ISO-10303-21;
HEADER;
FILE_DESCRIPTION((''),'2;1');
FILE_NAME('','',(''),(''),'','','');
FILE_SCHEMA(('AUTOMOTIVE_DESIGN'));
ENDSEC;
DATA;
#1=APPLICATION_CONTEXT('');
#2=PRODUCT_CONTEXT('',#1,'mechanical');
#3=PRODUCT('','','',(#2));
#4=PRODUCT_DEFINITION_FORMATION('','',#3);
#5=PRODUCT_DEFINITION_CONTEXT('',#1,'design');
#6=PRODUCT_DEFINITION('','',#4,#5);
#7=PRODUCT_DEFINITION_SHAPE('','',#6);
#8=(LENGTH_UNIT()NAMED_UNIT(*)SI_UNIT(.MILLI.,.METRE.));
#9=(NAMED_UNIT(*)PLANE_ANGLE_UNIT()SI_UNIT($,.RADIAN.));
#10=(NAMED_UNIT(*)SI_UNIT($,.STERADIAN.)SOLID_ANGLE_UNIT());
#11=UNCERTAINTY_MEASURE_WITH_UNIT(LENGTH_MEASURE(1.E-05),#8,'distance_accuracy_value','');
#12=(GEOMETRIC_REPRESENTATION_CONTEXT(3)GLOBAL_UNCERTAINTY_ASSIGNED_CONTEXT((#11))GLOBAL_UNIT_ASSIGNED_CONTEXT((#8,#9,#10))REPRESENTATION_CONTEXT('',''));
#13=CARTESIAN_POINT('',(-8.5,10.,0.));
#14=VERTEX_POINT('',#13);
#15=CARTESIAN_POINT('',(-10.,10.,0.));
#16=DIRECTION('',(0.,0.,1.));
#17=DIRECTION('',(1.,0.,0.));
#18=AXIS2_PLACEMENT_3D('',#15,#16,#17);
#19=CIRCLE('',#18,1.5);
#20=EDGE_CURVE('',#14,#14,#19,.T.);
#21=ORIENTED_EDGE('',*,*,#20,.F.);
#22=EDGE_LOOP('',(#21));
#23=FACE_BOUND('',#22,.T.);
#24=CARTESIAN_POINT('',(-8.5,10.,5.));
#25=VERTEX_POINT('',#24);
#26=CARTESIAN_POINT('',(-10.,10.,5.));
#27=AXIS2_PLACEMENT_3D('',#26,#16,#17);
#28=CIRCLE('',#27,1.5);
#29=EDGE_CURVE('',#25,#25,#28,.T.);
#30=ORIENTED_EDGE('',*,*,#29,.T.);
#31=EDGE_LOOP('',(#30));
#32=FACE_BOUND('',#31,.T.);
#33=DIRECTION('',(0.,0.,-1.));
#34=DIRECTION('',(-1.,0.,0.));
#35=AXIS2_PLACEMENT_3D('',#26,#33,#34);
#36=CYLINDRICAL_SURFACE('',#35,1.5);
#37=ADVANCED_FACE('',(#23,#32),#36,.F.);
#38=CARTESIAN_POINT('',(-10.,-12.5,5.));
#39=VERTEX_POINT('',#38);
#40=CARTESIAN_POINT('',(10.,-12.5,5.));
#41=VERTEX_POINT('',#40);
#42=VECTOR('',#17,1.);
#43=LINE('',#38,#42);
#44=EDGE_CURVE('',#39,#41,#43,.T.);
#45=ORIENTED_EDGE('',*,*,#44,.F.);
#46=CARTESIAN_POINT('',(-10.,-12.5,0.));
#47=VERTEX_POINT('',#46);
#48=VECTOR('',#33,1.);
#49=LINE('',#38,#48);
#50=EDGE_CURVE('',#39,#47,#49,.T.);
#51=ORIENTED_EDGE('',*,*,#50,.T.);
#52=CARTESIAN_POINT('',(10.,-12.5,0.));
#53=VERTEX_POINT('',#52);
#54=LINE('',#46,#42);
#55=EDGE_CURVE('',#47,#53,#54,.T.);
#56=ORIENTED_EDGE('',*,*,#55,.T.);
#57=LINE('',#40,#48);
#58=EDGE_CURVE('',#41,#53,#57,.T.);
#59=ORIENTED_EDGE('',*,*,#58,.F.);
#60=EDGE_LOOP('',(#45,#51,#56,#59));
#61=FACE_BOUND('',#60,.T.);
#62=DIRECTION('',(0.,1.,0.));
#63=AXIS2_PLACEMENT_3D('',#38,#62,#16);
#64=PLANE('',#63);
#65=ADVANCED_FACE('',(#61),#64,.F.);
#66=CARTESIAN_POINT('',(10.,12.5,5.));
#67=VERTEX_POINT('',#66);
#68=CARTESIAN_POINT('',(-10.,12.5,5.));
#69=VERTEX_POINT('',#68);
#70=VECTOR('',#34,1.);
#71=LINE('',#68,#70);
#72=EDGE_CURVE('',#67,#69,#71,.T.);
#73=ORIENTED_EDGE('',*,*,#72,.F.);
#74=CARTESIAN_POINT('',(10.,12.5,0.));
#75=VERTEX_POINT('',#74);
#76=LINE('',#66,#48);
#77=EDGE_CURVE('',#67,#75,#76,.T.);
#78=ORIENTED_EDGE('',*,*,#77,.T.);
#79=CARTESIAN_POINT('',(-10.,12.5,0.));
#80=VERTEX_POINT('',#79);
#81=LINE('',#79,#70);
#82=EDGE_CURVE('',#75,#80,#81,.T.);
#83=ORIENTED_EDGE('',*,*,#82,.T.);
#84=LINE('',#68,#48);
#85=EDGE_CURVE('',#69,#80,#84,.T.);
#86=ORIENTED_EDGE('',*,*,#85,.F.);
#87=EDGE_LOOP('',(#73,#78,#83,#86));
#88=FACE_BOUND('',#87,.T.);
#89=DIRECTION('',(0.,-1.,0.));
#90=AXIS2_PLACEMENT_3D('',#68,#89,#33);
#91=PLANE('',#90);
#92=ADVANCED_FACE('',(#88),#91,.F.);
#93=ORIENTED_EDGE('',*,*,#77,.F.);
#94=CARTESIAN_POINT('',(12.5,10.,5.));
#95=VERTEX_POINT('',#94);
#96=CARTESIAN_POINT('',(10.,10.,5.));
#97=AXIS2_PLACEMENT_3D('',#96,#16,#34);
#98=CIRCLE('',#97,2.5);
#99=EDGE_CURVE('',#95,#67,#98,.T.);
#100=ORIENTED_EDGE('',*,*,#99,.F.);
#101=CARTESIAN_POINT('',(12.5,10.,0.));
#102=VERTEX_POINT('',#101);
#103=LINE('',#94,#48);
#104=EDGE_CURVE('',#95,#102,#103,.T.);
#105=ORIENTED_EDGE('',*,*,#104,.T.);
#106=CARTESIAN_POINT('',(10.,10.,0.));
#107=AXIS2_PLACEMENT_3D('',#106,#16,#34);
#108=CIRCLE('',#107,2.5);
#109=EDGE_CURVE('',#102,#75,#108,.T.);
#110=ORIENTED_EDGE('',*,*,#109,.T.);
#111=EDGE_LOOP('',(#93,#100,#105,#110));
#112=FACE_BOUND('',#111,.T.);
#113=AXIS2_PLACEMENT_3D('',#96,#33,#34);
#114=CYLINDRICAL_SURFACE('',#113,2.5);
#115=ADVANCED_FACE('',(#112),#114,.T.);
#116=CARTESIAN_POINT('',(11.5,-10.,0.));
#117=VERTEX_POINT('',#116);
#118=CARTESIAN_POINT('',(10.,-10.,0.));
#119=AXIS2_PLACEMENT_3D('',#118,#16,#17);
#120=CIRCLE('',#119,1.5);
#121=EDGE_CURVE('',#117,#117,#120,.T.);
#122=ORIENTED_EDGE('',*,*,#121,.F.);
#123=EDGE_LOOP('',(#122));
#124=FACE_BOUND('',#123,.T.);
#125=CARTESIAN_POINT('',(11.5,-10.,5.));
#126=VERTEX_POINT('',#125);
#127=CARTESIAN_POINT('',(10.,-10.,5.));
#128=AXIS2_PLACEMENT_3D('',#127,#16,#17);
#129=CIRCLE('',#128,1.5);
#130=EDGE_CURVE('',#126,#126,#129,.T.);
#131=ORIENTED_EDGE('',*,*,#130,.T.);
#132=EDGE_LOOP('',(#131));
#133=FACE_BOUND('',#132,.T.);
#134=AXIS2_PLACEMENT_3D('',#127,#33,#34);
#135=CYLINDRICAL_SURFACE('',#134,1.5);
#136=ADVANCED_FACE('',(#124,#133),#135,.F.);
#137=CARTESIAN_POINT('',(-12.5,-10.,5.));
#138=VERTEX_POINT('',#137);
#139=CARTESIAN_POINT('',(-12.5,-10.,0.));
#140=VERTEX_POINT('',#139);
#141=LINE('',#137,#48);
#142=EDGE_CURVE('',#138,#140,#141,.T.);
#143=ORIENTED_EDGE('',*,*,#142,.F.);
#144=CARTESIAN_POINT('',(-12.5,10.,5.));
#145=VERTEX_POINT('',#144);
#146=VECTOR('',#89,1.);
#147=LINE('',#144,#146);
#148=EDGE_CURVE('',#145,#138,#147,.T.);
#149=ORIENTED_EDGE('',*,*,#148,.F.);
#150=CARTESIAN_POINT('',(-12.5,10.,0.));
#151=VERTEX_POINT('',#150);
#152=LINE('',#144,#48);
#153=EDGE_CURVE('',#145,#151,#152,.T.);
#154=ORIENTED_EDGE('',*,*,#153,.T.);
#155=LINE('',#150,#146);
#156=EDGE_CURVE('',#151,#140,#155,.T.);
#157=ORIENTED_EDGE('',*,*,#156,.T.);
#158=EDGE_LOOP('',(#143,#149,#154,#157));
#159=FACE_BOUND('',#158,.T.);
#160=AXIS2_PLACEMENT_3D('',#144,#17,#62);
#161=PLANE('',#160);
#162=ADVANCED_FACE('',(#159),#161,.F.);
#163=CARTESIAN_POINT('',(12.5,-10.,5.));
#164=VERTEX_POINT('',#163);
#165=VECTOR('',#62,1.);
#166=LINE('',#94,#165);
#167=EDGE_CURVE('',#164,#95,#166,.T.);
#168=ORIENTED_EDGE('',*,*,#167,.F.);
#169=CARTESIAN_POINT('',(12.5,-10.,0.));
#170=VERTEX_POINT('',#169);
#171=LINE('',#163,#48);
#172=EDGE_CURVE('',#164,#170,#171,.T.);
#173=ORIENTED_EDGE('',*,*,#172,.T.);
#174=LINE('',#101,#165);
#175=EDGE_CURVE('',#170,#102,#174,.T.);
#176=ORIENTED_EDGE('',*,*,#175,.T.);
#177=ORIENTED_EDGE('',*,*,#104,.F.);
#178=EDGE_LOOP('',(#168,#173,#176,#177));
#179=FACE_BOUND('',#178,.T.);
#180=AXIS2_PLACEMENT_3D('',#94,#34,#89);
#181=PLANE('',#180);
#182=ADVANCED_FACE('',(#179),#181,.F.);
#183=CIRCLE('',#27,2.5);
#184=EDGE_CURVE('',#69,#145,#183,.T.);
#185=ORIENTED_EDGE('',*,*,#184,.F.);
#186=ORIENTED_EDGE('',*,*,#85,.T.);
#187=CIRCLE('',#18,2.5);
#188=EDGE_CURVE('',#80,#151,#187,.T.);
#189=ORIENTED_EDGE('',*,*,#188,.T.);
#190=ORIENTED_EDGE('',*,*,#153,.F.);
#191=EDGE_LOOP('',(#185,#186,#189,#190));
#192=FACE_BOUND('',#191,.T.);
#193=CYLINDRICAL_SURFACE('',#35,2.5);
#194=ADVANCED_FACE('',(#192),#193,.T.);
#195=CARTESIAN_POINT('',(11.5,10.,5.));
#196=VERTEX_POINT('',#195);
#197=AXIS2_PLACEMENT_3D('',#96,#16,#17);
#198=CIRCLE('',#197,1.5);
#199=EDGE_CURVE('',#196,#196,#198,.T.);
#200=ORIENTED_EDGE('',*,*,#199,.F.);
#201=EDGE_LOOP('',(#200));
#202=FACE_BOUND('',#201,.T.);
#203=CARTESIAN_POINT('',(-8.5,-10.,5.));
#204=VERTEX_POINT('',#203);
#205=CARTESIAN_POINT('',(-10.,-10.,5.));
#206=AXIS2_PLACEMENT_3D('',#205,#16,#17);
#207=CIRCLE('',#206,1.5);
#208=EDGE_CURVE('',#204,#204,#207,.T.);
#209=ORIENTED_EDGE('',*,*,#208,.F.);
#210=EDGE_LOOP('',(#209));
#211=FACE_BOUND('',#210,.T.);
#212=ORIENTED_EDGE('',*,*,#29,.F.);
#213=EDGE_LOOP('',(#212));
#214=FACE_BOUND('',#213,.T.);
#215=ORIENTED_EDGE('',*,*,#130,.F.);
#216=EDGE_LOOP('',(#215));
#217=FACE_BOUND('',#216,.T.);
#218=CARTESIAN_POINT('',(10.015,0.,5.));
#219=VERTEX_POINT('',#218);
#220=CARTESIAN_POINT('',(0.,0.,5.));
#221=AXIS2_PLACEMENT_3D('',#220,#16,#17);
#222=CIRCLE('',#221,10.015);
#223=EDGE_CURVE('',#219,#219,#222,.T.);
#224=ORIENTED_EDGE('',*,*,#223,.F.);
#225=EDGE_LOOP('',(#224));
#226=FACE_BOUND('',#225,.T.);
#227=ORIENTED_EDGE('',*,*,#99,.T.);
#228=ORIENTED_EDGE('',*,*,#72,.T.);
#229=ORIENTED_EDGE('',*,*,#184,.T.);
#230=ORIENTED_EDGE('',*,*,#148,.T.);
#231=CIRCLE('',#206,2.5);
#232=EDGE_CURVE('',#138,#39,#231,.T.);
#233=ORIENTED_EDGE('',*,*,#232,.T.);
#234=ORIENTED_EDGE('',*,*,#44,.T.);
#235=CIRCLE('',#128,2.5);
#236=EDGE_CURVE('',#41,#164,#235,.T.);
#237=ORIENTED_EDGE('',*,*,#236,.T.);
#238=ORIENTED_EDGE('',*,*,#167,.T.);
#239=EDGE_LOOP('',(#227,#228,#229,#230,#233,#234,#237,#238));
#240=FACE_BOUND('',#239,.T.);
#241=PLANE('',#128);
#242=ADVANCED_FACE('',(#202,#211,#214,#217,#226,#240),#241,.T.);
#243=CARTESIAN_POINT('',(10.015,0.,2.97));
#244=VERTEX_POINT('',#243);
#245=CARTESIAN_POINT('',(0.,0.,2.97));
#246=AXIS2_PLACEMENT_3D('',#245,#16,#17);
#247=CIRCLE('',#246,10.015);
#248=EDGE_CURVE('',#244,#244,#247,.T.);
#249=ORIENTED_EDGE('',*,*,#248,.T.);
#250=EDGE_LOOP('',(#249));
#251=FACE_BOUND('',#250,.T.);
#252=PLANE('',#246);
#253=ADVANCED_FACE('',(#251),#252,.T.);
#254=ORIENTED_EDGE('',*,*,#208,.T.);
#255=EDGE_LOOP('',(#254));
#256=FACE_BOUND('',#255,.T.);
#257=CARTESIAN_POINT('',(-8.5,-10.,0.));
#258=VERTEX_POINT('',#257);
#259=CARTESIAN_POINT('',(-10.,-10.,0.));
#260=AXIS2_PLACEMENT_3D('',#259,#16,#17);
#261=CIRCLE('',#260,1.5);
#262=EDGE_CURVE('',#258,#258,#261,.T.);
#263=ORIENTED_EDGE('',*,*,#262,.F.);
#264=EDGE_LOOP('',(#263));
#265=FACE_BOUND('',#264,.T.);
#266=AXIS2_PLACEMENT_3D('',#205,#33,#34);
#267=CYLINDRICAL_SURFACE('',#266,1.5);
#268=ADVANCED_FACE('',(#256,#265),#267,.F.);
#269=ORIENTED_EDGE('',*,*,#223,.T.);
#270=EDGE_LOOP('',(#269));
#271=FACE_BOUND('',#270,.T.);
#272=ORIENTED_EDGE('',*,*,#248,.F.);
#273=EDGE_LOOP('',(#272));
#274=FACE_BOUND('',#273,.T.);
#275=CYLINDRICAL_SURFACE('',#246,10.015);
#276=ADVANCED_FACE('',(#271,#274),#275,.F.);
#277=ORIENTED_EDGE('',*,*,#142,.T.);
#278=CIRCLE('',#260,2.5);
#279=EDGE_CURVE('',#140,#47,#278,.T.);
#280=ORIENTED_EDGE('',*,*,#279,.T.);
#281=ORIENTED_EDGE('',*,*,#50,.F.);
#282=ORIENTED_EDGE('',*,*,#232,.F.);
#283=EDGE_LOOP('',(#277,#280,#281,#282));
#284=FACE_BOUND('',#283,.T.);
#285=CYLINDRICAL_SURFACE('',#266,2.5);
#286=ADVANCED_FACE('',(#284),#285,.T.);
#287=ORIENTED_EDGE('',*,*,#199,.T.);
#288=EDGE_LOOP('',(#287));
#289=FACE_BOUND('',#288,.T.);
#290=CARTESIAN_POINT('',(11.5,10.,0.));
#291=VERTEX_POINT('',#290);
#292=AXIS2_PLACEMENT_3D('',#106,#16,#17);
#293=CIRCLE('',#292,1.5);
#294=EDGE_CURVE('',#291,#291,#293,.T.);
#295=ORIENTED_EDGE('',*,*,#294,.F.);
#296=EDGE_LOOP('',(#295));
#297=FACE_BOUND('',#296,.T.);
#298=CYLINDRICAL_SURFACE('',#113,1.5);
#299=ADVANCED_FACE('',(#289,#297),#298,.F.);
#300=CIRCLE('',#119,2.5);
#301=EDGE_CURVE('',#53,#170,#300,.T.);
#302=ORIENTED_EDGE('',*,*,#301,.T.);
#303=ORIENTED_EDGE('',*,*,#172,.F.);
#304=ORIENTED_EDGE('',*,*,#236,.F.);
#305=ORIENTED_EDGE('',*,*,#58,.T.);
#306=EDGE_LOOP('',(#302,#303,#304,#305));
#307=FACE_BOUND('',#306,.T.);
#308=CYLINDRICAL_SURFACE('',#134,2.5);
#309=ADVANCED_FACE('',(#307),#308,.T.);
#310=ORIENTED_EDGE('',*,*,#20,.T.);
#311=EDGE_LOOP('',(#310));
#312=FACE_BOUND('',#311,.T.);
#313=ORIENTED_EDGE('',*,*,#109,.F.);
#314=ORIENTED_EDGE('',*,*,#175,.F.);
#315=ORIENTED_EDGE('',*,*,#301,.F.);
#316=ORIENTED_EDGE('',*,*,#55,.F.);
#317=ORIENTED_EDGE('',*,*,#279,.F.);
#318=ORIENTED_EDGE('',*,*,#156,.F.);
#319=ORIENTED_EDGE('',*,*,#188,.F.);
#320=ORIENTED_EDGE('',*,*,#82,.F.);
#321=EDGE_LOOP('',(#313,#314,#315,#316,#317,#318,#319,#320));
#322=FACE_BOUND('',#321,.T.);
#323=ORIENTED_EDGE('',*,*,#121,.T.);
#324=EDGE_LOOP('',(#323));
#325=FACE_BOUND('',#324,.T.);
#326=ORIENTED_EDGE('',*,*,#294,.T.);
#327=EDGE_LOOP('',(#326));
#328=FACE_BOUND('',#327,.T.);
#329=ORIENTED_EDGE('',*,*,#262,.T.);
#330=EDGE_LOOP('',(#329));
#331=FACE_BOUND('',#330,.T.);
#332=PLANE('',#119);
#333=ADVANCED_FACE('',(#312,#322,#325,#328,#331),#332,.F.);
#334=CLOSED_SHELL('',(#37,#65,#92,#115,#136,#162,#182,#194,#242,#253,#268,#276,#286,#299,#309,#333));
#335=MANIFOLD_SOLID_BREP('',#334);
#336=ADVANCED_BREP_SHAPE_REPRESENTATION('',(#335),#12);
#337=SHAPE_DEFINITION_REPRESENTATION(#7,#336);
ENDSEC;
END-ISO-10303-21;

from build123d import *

# Parameters (mm, degrees)
ESQUISSE1_R             = 1.5
BOSS_EXTRU_1_DEPTH      = 5
ESQUISSE2_R             = 10.015
ENL_V_MAT_EXTRU_1_DEPTH = 2.03


with BuildPart() as part:
    # Esquisse1 → Boss.-Extru.1 (new body)
    with BuildSketch(Plane.XY):
        with BuildLine():
            Line((-10, 12.5), (10, 12.5))
            ThreePointArc((10, 12.5), (11.767766953, 11.767766953), (12.5, 10))
            Line((12.5, 10), (12.5, -10))
            ThreePointArc((12.5, -10), (11.767766953, -11.767766953), (10, -12.5))
            Line((10, -12.5), (-10, -12.5))
            ThreePointArc((-10, -12.5), (-11.767766953, -11.767766953), (-12.5, -10))
            Line((-12.5, -10), (-12.5, 10))
            ThreePointArc((-12.5, 10), (-11.767766953, 11.767766953), (-10, 12.5))
        make_face()
        with Locations((-10, 10)):
            Circle(ESQUISSE1_R, mode=Mode.SUBTRACT)
        with Locations((10, 10)):
            Circle(ESQUISSE1_R, mode=Mode.SUBTRACT)
        with Locations((10, -10)):
            Circle(ESQUISSE1_R, mode=Mode.SUBTRACT)
        with Locations((-10, -10)):
            Circle(ESQUISSE1_R, mode=Mode.SUBTRACT)
    extrude(amount=BOSS_EXTRU_1_DEPTH)

    # Esquisse2 → Enlèv. mat.-Extru.1 (cut)
    with BuildSketch(Plane.XY.offset(5)):
        Circle(ESQUISSE2_R)
    extrude(amount=-ENL_V_MAT_EXTRU_1_DEPTH, mode=Mode.SUBTRACT)


solid = part.part
